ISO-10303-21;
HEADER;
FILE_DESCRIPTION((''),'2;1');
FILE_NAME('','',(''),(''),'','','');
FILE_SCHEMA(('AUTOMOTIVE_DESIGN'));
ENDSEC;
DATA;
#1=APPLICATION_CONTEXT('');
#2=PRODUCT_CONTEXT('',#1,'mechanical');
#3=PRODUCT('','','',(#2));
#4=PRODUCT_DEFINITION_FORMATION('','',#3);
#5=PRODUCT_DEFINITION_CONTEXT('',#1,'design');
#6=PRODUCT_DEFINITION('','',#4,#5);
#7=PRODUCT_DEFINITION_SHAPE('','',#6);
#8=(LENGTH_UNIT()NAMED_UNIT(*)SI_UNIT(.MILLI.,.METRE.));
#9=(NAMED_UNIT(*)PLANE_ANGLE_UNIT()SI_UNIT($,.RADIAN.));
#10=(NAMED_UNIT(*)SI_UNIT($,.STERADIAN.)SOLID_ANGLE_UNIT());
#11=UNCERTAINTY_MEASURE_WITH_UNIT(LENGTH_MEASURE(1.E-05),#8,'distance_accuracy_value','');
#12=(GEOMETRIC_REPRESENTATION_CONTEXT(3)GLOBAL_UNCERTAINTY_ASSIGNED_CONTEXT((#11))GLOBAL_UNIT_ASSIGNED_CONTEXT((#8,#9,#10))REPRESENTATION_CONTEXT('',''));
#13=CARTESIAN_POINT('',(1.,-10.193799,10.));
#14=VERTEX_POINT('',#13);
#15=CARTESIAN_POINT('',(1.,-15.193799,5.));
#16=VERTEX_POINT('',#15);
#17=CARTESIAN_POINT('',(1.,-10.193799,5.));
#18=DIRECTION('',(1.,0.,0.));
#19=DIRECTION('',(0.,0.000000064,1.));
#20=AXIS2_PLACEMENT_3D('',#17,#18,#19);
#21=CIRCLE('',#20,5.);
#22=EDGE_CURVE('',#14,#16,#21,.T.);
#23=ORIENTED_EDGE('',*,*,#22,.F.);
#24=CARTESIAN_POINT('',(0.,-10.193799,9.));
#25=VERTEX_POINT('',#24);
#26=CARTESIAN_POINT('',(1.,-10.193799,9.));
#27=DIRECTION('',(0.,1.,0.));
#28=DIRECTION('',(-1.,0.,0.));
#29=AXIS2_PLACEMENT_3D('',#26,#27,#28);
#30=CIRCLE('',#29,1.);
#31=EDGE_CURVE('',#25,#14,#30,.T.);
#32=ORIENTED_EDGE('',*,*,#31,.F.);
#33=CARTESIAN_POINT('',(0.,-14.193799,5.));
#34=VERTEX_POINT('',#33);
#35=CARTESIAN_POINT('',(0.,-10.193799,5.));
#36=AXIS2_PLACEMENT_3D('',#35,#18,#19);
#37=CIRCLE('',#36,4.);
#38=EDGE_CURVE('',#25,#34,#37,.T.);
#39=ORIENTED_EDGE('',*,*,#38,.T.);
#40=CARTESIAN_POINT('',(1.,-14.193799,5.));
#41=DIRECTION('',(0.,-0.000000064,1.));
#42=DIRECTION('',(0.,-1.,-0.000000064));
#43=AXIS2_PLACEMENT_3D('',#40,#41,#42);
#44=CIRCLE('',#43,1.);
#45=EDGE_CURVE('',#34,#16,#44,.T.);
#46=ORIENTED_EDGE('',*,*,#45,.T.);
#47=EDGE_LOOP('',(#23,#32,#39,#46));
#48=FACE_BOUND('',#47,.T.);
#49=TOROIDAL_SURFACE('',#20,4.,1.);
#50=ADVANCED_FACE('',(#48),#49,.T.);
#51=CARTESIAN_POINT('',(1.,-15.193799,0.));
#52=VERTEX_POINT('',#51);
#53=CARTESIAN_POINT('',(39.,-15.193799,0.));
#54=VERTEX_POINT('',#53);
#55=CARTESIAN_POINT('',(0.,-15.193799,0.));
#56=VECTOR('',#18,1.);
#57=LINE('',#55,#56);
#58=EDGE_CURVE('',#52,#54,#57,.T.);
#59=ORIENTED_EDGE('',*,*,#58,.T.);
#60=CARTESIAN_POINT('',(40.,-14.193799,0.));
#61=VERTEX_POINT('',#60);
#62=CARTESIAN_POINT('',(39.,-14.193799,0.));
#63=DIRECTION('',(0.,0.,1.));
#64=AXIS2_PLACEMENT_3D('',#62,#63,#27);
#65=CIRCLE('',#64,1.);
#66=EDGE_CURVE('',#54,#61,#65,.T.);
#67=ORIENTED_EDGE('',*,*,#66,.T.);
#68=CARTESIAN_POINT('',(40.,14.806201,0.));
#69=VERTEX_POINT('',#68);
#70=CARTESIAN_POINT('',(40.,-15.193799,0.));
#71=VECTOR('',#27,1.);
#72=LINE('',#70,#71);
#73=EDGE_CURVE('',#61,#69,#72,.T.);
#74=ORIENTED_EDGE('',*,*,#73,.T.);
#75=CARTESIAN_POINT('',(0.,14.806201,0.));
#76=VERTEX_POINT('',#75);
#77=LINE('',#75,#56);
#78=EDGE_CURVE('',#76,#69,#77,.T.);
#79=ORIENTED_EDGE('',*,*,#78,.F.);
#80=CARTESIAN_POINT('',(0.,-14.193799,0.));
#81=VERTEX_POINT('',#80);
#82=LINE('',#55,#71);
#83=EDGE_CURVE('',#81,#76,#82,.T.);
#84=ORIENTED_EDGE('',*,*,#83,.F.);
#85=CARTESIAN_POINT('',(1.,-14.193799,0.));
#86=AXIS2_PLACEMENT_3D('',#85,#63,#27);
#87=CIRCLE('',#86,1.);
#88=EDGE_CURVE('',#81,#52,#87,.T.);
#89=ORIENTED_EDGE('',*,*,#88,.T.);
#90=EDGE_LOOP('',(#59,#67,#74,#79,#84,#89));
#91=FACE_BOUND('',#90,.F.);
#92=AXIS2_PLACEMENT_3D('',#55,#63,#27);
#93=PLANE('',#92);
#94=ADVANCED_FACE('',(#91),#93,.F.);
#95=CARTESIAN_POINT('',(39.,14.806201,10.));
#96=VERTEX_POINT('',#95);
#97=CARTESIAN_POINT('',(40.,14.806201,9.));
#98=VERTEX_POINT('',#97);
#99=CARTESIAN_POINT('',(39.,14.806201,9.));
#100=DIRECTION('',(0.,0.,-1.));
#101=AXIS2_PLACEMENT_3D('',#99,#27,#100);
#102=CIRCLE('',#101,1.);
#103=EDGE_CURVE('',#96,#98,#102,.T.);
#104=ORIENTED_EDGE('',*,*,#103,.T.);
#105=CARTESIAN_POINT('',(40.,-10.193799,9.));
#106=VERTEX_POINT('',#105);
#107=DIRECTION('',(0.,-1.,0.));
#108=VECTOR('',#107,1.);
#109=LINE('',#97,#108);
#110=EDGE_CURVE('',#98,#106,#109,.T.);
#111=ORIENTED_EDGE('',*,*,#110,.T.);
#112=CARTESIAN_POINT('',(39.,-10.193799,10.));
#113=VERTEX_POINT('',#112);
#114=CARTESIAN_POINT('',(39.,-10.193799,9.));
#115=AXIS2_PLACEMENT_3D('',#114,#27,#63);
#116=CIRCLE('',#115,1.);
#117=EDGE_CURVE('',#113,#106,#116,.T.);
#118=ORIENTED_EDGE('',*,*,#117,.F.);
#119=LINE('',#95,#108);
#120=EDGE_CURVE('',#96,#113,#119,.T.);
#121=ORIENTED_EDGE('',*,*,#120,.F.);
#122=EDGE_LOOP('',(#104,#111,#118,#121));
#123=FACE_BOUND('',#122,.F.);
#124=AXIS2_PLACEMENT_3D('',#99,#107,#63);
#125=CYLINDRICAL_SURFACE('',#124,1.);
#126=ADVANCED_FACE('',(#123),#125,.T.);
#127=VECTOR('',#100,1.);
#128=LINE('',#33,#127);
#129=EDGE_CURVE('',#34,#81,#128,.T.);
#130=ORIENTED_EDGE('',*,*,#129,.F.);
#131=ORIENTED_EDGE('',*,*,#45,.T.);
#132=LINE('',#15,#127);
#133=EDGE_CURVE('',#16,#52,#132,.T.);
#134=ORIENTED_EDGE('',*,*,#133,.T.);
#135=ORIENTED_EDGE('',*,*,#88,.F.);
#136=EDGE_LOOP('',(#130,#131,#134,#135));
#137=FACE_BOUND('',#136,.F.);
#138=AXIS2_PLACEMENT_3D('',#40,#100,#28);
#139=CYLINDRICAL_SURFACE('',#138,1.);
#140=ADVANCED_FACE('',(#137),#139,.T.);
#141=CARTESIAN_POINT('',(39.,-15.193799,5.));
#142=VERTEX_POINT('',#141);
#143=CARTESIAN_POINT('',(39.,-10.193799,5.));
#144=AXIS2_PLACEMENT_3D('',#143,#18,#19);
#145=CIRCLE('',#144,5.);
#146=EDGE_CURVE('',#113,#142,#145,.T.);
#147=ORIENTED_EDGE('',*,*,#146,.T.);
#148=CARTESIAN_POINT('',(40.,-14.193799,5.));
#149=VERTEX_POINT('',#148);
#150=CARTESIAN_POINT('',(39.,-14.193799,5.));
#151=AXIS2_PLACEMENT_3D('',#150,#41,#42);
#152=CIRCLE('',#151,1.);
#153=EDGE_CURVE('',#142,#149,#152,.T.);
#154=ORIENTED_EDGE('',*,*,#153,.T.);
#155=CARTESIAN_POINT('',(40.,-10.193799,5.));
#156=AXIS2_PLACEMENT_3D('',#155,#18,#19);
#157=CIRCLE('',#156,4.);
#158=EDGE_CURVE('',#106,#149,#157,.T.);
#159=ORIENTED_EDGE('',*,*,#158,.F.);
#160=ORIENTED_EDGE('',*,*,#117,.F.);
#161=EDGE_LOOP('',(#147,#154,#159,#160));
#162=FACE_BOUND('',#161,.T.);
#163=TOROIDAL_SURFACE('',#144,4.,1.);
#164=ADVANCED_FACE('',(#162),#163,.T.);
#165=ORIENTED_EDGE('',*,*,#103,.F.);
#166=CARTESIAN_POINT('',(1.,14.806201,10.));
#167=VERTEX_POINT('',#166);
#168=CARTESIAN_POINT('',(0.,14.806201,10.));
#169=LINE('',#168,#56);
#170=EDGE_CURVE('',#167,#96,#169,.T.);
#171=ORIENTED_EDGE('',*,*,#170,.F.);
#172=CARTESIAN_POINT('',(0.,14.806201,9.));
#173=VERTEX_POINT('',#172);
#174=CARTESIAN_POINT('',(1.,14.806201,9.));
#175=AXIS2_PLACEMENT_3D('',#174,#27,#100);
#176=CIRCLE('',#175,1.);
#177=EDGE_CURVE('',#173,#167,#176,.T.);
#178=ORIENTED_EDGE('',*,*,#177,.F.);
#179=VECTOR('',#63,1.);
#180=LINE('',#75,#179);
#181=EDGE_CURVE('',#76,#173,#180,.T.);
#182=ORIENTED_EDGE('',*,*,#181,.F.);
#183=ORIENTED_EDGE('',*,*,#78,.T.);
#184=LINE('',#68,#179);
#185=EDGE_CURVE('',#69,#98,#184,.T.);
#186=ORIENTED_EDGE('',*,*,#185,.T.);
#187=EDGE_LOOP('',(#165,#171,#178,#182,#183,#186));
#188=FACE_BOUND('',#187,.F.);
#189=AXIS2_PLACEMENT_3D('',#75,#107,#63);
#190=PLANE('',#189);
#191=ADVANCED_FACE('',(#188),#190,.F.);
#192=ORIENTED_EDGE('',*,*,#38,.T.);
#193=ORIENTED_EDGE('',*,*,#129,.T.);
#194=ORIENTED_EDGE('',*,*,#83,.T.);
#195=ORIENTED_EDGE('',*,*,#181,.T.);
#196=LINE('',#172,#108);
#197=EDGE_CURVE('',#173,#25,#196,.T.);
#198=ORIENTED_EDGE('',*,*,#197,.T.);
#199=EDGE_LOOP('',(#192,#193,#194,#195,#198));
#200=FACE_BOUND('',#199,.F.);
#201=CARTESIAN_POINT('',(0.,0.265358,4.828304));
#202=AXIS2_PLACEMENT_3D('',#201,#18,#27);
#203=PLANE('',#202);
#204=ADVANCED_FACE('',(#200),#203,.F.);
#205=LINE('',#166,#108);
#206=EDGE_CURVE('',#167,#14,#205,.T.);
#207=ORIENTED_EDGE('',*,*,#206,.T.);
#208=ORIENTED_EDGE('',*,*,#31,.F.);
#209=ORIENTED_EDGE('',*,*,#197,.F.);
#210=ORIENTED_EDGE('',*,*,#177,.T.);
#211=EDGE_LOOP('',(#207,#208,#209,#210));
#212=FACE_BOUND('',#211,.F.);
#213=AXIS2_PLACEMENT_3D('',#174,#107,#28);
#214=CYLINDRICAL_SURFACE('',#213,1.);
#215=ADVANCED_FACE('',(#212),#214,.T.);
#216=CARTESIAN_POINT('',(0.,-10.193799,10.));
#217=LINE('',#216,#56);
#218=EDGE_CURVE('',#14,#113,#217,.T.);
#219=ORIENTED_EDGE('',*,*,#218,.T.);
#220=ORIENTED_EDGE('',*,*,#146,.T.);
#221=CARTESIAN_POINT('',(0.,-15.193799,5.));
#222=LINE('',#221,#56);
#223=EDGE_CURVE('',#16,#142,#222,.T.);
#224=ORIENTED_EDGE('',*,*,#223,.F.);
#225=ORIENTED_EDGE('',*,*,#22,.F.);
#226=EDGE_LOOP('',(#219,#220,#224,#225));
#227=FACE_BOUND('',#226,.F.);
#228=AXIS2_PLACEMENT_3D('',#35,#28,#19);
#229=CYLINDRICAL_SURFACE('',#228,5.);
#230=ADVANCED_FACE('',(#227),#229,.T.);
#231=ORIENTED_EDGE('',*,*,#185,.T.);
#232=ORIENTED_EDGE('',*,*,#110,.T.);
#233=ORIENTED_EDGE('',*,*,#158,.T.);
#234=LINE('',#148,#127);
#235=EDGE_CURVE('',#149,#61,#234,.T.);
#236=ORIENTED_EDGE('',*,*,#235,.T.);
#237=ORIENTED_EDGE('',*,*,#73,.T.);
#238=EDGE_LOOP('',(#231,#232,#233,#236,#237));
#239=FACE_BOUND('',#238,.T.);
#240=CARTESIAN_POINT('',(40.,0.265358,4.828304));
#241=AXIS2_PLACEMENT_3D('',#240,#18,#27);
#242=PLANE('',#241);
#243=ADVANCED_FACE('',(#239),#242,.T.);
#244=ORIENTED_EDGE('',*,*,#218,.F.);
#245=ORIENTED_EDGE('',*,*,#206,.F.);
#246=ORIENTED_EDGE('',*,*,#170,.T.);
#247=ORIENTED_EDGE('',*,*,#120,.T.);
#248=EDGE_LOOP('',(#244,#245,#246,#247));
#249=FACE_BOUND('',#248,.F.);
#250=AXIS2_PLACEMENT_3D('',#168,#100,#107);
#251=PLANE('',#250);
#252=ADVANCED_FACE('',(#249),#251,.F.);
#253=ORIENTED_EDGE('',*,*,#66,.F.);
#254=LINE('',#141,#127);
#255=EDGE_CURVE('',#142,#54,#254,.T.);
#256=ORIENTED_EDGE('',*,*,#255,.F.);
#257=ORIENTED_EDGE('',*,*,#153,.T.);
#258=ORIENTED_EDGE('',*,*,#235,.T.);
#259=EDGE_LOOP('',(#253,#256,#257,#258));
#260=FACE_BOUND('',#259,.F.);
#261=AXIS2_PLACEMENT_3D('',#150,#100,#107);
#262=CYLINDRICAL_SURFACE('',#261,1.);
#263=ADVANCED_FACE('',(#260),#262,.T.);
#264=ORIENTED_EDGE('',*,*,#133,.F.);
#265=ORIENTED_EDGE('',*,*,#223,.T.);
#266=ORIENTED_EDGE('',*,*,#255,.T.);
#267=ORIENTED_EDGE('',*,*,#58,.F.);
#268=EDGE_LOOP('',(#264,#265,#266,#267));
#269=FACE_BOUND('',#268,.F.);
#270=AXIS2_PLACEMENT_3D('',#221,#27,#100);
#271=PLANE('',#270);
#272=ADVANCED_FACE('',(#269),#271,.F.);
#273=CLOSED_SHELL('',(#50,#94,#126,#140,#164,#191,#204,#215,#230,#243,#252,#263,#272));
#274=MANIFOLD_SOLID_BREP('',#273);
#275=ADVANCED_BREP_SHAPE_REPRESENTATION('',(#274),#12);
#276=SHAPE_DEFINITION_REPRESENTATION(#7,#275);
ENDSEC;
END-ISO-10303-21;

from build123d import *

# Parameters (mm, degrees)
F1_DEPTH = 40
F2_R     = 1
F3_R     = 1


with BuildPart() as f1:
    # F0 (on Right) → F1 (new body)
    with BuildSketch(Plane.YZ):
        with BuildLine():
            Line((-15.193799, 5), (-15.193799, 0))
            Line((-15.193799, 0), (14.806201, 0))
            Line((14.806201, 0), (14.806201, 10))
            Line((14.806201, 10), (-10.193799, 10))
            ThreePointArc((-10.193799, 10), (-13.729333, 8.535534), (-15.193799, 5))
        make_face()
    extrude(amount=F1_DEPTH)

    # F2
    f2_edges = [f1.edges().sort_by_distance(p)[0] for p in [
        (40, 2.306201, 10),
    ]]
    fillet(f2_edges, radius=F2_R)

    # F3
    f3_edges = [f1.edges().sort_by_distance(p)[0] for p in [
        (0, 2.306201, 10),
    ]]
    fillet(f3_edges, radius=F3_R)


solid = f1.part
